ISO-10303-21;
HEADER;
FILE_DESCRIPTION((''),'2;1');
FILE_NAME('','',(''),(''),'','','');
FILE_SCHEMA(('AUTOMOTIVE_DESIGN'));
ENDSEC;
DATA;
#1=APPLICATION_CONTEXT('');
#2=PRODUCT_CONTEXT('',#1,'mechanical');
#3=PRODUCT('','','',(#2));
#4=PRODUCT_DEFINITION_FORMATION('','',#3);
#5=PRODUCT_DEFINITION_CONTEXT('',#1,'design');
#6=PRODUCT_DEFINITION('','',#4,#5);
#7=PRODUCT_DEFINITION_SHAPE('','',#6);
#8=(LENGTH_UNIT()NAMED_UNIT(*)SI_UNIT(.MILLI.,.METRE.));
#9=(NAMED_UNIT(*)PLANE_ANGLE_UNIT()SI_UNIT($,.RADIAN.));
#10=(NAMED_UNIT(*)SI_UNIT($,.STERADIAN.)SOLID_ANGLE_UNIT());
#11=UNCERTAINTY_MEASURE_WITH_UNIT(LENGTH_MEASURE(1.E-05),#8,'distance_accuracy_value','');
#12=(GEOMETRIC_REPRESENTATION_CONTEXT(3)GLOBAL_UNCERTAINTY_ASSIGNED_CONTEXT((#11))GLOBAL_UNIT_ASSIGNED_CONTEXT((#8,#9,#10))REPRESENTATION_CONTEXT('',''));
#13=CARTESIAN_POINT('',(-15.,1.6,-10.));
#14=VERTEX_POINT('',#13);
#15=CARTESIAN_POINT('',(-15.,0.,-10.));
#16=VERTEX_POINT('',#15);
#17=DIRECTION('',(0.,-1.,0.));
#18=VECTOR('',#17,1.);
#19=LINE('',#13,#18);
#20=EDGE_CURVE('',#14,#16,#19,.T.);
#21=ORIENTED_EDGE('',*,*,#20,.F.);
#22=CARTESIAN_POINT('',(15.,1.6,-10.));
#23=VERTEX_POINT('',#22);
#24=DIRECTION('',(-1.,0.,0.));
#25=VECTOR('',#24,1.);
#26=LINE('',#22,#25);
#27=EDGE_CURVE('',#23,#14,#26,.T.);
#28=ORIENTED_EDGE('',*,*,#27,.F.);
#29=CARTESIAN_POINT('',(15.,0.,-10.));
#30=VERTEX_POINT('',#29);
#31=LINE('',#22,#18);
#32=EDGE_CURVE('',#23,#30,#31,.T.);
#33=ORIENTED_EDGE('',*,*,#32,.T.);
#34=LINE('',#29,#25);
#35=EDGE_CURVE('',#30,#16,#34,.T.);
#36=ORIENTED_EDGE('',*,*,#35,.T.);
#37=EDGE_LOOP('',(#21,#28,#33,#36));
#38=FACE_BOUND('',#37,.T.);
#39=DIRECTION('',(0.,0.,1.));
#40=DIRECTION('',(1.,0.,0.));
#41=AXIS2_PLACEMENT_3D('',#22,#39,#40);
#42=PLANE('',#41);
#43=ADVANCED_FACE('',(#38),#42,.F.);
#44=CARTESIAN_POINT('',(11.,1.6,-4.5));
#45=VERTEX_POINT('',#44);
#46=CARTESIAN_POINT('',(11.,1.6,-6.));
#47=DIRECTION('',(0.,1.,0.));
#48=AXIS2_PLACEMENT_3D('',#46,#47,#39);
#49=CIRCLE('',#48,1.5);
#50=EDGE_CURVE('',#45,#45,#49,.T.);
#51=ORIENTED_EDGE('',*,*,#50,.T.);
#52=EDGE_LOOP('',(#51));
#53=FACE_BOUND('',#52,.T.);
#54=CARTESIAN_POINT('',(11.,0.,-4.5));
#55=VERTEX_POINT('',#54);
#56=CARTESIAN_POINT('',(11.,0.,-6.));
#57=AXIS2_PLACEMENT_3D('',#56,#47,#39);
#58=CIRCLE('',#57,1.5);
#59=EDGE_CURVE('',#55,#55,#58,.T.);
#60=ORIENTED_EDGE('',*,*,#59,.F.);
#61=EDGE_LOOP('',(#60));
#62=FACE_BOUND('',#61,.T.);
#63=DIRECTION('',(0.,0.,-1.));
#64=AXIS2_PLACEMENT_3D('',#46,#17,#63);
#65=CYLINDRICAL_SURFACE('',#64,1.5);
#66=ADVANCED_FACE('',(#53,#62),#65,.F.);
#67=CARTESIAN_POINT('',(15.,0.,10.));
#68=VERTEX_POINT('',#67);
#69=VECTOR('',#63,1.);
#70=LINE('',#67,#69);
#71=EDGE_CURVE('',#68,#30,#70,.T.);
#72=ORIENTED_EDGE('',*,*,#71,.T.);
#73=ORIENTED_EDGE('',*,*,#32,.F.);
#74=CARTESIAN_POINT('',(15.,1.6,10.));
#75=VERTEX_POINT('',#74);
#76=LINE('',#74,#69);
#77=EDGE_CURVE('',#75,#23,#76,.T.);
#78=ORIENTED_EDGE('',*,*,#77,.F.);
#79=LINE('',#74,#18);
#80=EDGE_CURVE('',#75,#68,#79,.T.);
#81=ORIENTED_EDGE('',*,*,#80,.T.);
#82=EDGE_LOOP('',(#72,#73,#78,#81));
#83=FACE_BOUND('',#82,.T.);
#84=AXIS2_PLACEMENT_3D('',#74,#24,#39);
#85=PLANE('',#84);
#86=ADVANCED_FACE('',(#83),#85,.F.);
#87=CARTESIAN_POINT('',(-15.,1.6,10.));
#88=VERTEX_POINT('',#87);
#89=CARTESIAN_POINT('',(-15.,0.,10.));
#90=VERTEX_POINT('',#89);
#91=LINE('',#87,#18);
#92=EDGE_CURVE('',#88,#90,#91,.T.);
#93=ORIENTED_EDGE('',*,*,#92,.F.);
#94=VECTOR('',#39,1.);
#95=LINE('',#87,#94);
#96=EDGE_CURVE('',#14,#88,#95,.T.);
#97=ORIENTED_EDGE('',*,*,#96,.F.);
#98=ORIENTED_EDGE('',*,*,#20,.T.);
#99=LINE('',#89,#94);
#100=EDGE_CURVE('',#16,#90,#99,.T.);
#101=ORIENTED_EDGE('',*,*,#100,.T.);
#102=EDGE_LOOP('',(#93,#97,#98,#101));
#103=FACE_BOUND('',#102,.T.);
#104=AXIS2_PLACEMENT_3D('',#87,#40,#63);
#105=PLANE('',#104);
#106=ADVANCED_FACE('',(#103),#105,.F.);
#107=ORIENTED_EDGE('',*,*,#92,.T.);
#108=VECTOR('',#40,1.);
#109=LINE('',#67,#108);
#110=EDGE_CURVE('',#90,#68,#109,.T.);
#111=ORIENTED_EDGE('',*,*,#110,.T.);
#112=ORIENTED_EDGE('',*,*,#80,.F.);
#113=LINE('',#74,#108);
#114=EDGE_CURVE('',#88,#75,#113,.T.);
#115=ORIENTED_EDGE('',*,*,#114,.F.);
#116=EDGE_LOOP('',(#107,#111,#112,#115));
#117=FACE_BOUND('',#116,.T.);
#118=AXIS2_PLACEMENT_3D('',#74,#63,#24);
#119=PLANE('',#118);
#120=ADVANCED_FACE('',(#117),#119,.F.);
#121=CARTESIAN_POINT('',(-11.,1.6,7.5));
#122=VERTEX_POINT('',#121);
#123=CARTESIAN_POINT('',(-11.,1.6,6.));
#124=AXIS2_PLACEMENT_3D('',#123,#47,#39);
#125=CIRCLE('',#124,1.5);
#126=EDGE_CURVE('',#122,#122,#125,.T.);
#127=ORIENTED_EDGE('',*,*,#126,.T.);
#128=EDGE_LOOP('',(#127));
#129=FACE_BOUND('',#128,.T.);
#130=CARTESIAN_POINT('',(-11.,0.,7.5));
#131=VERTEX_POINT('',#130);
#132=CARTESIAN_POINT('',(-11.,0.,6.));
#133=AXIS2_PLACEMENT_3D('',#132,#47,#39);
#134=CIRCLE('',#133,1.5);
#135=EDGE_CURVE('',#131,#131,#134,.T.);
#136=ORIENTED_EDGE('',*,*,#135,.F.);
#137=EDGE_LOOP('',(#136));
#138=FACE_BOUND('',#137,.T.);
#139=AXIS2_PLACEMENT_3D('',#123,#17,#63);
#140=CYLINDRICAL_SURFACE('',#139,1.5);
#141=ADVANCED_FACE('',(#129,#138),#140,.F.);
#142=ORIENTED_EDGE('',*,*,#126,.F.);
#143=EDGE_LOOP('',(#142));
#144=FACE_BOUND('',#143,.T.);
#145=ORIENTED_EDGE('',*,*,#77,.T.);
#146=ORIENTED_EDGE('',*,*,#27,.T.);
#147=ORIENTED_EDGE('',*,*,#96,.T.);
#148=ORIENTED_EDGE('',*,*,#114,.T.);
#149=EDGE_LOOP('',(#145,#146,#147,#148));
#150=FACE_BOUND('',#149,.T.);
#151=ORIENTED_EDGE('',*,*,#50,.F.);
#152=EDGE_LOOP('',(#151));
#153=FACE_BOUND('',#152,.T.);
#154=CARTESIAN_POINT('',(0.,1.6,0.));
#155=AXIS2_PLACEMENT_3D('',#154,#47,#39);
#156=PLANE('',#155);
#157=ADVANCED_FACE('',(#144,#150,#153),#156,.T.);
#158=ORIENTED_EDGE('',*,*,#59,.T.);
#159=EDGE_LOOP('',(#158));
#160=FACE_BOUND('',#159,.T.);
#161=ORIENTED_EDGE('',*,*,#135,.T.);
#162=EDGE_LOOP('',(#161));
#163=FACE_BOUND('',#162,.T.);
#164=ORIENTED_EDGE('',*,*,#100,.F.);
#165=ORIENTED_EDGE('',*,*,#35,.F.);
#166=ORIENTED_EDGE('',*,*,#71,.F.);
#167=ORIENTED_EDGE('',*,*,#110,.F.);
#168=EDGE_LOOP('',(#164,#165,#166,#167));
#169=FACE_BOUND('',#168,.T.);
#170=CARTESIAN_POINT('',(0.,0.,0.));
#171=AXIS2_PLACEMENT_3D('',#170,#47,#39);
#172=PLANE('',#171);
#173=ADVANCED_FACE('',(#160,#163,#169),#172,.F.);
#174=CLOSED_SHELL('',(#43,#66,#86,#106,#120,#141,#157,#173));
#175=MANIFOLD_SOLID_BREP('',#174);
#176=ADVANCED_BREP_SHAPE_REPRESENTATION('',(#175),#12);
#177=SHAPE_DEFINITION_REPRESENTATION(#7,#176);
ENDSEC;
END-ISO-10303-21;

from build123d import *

# Parameters (mm, degrees)
SKETCH1_W           = 30
SKETCH1_H           = 20
SKETCH1_R           = 1.5
BOSS_EXTRUDE1_DEPTH = 1.6


with BuildPart() as part:
    # Sketch1 → Boss-Extrude1 (new body)
    with BuildSketch(Plane(origin=(0, 0, 0), x_dir=(1, 0, 0), z_dir=(0, 1, 0))):
        Rectangle(SKETCH1_W, SKETCH1_H)
        with Locations(Location((-11, -6, 0), (0, 0, 270))):
            Circle(SKETCH1_R, mode=Mode.SUBTRACT)
        with Locations(Location((11, 6, 0), (0, 0, 270))):
            Circle(SKETCH1_R, mode=Mode.SUBTRACT)
    extrude(amount=BOSS_EXTRUDE1_DEPTH)


solid = part.part
